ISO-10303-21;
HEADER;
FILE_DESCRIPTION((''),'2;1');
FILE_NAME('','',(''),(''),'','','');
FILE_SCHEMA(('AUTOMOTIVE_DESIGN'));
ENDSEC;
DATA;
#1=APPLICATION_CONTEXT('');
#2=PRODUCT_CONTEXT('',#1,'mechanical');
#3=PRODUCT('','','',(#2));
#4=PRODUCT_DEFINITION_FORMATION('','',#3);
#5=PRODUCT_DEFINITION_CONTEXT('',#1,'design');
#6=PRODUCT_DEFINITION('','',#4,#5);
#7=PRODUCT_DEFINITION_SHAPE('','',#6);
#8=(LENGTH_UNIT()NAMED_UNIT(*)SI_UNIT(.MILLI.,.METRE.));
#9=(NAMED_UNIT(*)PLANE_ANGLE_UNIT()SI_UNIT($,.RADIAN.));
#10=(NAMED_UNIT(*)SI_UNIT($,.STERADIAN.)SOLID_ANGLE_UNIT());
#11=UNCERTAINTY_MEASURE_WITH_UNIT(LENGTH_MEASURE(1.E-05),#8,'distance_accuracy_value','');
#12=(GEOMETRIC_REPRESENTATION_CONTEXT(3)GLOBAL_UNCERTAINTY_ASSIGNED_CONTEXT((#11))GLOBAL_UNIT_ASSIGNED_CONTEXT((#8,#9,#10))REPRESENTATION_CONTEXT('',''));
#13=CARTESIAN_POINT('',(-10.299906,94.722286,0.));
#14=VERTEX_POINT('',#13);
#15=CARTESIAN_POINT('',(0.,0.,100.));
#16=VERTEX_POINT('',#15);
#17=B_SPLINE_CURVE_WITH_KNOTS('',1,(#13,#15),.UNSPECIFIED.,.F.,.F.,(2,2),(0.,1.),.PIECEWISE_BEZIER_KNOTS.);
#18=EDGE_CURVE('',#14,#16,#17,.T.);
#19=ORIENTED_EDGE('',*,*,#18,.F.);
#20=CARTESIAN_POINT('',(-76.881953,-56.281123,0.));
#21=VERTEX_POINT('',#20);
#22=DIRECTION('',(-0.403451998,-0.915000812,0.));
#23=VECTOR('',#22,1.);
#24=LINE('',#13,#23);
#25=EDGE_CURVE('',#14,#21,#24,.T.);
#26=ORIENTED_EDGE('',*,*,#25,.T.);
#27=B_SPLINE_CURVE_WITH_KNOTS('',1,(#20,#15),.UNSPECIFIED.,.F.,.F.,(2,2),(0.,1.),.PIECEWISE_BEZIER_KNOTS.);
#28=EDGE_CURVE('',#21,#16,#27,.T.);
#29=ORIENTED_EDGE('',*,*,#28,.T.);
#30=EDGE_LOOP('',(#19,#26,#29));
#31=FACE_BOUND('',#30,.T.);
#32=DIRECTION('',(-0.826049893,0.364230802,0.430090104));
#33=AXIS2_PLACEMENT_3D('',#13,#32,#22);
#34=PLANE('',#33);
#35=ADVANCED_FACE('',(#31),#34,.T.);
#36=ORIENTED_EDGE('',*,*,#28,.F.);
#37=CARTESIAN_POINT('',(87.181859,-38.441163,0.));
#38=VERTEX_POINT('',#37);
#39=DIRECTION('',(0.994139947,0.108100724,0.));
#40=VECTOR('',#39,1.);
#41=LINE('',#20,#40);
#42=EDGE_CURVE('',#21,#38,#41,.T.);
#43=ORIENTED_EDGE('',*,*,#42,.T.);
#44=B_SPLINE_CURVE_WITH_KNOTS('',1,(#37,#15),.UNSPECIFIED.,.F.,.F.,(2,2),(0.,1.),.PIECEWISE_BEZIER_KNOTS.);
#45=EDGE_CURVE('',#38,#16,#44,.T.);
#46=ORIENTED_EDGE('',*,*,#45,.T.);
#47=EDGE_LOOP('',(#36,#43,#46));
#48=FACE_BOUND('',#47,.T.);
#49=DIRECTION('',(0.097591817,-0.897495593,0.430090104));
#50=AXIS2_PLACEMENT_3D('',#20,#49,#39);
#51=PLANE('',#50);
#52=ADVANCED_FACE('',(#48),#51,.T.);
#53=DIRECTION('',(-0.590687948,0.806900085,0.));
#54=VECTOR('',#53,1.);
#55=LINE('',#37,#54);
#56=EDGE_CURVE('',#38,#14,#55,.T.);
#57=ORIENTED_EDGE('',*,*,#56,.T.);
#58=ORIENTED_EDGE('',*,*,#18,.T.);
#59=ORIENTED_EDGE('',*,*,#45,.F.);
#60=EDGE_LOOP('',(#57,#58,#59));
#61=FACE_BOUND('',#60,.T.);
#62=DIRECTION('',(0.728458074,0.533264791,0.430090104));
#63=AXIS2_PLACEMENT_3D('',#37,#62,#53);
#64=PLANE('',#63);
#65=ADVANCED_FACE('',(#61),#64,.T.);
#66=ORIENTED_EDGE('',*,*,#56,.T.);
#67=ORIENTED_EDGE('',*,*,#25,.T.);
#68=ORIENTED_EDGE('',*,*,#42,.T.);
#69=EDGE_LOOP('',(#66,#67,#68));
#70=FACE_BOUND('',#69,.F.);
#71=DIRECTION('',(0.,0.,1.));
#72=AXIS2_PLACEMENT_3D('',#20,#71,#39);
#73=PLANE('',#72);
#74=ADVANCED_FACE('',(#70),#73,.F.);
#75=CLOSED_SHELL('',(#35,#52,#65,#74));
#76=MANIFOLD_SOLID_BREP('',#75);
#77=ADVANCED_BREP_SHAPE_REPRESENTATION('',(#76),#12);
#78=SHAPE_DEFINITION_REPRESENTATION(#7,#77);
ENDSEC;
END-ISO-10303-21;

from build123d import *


with BuildPart() as f3:
    # F0 (on Top) → F3 section 0
    with BuildSketch(Plane.XY, mode=Mode.PRIVATE) as f3_s0:
        Polygon((-76.881953, -56.281123), (87.181859, -38.441163), (-10.299906, 94.722286), align=None)
    loft([f3_s0.sketch, Vertex(0, 0, 100)])


solid = f3.part
